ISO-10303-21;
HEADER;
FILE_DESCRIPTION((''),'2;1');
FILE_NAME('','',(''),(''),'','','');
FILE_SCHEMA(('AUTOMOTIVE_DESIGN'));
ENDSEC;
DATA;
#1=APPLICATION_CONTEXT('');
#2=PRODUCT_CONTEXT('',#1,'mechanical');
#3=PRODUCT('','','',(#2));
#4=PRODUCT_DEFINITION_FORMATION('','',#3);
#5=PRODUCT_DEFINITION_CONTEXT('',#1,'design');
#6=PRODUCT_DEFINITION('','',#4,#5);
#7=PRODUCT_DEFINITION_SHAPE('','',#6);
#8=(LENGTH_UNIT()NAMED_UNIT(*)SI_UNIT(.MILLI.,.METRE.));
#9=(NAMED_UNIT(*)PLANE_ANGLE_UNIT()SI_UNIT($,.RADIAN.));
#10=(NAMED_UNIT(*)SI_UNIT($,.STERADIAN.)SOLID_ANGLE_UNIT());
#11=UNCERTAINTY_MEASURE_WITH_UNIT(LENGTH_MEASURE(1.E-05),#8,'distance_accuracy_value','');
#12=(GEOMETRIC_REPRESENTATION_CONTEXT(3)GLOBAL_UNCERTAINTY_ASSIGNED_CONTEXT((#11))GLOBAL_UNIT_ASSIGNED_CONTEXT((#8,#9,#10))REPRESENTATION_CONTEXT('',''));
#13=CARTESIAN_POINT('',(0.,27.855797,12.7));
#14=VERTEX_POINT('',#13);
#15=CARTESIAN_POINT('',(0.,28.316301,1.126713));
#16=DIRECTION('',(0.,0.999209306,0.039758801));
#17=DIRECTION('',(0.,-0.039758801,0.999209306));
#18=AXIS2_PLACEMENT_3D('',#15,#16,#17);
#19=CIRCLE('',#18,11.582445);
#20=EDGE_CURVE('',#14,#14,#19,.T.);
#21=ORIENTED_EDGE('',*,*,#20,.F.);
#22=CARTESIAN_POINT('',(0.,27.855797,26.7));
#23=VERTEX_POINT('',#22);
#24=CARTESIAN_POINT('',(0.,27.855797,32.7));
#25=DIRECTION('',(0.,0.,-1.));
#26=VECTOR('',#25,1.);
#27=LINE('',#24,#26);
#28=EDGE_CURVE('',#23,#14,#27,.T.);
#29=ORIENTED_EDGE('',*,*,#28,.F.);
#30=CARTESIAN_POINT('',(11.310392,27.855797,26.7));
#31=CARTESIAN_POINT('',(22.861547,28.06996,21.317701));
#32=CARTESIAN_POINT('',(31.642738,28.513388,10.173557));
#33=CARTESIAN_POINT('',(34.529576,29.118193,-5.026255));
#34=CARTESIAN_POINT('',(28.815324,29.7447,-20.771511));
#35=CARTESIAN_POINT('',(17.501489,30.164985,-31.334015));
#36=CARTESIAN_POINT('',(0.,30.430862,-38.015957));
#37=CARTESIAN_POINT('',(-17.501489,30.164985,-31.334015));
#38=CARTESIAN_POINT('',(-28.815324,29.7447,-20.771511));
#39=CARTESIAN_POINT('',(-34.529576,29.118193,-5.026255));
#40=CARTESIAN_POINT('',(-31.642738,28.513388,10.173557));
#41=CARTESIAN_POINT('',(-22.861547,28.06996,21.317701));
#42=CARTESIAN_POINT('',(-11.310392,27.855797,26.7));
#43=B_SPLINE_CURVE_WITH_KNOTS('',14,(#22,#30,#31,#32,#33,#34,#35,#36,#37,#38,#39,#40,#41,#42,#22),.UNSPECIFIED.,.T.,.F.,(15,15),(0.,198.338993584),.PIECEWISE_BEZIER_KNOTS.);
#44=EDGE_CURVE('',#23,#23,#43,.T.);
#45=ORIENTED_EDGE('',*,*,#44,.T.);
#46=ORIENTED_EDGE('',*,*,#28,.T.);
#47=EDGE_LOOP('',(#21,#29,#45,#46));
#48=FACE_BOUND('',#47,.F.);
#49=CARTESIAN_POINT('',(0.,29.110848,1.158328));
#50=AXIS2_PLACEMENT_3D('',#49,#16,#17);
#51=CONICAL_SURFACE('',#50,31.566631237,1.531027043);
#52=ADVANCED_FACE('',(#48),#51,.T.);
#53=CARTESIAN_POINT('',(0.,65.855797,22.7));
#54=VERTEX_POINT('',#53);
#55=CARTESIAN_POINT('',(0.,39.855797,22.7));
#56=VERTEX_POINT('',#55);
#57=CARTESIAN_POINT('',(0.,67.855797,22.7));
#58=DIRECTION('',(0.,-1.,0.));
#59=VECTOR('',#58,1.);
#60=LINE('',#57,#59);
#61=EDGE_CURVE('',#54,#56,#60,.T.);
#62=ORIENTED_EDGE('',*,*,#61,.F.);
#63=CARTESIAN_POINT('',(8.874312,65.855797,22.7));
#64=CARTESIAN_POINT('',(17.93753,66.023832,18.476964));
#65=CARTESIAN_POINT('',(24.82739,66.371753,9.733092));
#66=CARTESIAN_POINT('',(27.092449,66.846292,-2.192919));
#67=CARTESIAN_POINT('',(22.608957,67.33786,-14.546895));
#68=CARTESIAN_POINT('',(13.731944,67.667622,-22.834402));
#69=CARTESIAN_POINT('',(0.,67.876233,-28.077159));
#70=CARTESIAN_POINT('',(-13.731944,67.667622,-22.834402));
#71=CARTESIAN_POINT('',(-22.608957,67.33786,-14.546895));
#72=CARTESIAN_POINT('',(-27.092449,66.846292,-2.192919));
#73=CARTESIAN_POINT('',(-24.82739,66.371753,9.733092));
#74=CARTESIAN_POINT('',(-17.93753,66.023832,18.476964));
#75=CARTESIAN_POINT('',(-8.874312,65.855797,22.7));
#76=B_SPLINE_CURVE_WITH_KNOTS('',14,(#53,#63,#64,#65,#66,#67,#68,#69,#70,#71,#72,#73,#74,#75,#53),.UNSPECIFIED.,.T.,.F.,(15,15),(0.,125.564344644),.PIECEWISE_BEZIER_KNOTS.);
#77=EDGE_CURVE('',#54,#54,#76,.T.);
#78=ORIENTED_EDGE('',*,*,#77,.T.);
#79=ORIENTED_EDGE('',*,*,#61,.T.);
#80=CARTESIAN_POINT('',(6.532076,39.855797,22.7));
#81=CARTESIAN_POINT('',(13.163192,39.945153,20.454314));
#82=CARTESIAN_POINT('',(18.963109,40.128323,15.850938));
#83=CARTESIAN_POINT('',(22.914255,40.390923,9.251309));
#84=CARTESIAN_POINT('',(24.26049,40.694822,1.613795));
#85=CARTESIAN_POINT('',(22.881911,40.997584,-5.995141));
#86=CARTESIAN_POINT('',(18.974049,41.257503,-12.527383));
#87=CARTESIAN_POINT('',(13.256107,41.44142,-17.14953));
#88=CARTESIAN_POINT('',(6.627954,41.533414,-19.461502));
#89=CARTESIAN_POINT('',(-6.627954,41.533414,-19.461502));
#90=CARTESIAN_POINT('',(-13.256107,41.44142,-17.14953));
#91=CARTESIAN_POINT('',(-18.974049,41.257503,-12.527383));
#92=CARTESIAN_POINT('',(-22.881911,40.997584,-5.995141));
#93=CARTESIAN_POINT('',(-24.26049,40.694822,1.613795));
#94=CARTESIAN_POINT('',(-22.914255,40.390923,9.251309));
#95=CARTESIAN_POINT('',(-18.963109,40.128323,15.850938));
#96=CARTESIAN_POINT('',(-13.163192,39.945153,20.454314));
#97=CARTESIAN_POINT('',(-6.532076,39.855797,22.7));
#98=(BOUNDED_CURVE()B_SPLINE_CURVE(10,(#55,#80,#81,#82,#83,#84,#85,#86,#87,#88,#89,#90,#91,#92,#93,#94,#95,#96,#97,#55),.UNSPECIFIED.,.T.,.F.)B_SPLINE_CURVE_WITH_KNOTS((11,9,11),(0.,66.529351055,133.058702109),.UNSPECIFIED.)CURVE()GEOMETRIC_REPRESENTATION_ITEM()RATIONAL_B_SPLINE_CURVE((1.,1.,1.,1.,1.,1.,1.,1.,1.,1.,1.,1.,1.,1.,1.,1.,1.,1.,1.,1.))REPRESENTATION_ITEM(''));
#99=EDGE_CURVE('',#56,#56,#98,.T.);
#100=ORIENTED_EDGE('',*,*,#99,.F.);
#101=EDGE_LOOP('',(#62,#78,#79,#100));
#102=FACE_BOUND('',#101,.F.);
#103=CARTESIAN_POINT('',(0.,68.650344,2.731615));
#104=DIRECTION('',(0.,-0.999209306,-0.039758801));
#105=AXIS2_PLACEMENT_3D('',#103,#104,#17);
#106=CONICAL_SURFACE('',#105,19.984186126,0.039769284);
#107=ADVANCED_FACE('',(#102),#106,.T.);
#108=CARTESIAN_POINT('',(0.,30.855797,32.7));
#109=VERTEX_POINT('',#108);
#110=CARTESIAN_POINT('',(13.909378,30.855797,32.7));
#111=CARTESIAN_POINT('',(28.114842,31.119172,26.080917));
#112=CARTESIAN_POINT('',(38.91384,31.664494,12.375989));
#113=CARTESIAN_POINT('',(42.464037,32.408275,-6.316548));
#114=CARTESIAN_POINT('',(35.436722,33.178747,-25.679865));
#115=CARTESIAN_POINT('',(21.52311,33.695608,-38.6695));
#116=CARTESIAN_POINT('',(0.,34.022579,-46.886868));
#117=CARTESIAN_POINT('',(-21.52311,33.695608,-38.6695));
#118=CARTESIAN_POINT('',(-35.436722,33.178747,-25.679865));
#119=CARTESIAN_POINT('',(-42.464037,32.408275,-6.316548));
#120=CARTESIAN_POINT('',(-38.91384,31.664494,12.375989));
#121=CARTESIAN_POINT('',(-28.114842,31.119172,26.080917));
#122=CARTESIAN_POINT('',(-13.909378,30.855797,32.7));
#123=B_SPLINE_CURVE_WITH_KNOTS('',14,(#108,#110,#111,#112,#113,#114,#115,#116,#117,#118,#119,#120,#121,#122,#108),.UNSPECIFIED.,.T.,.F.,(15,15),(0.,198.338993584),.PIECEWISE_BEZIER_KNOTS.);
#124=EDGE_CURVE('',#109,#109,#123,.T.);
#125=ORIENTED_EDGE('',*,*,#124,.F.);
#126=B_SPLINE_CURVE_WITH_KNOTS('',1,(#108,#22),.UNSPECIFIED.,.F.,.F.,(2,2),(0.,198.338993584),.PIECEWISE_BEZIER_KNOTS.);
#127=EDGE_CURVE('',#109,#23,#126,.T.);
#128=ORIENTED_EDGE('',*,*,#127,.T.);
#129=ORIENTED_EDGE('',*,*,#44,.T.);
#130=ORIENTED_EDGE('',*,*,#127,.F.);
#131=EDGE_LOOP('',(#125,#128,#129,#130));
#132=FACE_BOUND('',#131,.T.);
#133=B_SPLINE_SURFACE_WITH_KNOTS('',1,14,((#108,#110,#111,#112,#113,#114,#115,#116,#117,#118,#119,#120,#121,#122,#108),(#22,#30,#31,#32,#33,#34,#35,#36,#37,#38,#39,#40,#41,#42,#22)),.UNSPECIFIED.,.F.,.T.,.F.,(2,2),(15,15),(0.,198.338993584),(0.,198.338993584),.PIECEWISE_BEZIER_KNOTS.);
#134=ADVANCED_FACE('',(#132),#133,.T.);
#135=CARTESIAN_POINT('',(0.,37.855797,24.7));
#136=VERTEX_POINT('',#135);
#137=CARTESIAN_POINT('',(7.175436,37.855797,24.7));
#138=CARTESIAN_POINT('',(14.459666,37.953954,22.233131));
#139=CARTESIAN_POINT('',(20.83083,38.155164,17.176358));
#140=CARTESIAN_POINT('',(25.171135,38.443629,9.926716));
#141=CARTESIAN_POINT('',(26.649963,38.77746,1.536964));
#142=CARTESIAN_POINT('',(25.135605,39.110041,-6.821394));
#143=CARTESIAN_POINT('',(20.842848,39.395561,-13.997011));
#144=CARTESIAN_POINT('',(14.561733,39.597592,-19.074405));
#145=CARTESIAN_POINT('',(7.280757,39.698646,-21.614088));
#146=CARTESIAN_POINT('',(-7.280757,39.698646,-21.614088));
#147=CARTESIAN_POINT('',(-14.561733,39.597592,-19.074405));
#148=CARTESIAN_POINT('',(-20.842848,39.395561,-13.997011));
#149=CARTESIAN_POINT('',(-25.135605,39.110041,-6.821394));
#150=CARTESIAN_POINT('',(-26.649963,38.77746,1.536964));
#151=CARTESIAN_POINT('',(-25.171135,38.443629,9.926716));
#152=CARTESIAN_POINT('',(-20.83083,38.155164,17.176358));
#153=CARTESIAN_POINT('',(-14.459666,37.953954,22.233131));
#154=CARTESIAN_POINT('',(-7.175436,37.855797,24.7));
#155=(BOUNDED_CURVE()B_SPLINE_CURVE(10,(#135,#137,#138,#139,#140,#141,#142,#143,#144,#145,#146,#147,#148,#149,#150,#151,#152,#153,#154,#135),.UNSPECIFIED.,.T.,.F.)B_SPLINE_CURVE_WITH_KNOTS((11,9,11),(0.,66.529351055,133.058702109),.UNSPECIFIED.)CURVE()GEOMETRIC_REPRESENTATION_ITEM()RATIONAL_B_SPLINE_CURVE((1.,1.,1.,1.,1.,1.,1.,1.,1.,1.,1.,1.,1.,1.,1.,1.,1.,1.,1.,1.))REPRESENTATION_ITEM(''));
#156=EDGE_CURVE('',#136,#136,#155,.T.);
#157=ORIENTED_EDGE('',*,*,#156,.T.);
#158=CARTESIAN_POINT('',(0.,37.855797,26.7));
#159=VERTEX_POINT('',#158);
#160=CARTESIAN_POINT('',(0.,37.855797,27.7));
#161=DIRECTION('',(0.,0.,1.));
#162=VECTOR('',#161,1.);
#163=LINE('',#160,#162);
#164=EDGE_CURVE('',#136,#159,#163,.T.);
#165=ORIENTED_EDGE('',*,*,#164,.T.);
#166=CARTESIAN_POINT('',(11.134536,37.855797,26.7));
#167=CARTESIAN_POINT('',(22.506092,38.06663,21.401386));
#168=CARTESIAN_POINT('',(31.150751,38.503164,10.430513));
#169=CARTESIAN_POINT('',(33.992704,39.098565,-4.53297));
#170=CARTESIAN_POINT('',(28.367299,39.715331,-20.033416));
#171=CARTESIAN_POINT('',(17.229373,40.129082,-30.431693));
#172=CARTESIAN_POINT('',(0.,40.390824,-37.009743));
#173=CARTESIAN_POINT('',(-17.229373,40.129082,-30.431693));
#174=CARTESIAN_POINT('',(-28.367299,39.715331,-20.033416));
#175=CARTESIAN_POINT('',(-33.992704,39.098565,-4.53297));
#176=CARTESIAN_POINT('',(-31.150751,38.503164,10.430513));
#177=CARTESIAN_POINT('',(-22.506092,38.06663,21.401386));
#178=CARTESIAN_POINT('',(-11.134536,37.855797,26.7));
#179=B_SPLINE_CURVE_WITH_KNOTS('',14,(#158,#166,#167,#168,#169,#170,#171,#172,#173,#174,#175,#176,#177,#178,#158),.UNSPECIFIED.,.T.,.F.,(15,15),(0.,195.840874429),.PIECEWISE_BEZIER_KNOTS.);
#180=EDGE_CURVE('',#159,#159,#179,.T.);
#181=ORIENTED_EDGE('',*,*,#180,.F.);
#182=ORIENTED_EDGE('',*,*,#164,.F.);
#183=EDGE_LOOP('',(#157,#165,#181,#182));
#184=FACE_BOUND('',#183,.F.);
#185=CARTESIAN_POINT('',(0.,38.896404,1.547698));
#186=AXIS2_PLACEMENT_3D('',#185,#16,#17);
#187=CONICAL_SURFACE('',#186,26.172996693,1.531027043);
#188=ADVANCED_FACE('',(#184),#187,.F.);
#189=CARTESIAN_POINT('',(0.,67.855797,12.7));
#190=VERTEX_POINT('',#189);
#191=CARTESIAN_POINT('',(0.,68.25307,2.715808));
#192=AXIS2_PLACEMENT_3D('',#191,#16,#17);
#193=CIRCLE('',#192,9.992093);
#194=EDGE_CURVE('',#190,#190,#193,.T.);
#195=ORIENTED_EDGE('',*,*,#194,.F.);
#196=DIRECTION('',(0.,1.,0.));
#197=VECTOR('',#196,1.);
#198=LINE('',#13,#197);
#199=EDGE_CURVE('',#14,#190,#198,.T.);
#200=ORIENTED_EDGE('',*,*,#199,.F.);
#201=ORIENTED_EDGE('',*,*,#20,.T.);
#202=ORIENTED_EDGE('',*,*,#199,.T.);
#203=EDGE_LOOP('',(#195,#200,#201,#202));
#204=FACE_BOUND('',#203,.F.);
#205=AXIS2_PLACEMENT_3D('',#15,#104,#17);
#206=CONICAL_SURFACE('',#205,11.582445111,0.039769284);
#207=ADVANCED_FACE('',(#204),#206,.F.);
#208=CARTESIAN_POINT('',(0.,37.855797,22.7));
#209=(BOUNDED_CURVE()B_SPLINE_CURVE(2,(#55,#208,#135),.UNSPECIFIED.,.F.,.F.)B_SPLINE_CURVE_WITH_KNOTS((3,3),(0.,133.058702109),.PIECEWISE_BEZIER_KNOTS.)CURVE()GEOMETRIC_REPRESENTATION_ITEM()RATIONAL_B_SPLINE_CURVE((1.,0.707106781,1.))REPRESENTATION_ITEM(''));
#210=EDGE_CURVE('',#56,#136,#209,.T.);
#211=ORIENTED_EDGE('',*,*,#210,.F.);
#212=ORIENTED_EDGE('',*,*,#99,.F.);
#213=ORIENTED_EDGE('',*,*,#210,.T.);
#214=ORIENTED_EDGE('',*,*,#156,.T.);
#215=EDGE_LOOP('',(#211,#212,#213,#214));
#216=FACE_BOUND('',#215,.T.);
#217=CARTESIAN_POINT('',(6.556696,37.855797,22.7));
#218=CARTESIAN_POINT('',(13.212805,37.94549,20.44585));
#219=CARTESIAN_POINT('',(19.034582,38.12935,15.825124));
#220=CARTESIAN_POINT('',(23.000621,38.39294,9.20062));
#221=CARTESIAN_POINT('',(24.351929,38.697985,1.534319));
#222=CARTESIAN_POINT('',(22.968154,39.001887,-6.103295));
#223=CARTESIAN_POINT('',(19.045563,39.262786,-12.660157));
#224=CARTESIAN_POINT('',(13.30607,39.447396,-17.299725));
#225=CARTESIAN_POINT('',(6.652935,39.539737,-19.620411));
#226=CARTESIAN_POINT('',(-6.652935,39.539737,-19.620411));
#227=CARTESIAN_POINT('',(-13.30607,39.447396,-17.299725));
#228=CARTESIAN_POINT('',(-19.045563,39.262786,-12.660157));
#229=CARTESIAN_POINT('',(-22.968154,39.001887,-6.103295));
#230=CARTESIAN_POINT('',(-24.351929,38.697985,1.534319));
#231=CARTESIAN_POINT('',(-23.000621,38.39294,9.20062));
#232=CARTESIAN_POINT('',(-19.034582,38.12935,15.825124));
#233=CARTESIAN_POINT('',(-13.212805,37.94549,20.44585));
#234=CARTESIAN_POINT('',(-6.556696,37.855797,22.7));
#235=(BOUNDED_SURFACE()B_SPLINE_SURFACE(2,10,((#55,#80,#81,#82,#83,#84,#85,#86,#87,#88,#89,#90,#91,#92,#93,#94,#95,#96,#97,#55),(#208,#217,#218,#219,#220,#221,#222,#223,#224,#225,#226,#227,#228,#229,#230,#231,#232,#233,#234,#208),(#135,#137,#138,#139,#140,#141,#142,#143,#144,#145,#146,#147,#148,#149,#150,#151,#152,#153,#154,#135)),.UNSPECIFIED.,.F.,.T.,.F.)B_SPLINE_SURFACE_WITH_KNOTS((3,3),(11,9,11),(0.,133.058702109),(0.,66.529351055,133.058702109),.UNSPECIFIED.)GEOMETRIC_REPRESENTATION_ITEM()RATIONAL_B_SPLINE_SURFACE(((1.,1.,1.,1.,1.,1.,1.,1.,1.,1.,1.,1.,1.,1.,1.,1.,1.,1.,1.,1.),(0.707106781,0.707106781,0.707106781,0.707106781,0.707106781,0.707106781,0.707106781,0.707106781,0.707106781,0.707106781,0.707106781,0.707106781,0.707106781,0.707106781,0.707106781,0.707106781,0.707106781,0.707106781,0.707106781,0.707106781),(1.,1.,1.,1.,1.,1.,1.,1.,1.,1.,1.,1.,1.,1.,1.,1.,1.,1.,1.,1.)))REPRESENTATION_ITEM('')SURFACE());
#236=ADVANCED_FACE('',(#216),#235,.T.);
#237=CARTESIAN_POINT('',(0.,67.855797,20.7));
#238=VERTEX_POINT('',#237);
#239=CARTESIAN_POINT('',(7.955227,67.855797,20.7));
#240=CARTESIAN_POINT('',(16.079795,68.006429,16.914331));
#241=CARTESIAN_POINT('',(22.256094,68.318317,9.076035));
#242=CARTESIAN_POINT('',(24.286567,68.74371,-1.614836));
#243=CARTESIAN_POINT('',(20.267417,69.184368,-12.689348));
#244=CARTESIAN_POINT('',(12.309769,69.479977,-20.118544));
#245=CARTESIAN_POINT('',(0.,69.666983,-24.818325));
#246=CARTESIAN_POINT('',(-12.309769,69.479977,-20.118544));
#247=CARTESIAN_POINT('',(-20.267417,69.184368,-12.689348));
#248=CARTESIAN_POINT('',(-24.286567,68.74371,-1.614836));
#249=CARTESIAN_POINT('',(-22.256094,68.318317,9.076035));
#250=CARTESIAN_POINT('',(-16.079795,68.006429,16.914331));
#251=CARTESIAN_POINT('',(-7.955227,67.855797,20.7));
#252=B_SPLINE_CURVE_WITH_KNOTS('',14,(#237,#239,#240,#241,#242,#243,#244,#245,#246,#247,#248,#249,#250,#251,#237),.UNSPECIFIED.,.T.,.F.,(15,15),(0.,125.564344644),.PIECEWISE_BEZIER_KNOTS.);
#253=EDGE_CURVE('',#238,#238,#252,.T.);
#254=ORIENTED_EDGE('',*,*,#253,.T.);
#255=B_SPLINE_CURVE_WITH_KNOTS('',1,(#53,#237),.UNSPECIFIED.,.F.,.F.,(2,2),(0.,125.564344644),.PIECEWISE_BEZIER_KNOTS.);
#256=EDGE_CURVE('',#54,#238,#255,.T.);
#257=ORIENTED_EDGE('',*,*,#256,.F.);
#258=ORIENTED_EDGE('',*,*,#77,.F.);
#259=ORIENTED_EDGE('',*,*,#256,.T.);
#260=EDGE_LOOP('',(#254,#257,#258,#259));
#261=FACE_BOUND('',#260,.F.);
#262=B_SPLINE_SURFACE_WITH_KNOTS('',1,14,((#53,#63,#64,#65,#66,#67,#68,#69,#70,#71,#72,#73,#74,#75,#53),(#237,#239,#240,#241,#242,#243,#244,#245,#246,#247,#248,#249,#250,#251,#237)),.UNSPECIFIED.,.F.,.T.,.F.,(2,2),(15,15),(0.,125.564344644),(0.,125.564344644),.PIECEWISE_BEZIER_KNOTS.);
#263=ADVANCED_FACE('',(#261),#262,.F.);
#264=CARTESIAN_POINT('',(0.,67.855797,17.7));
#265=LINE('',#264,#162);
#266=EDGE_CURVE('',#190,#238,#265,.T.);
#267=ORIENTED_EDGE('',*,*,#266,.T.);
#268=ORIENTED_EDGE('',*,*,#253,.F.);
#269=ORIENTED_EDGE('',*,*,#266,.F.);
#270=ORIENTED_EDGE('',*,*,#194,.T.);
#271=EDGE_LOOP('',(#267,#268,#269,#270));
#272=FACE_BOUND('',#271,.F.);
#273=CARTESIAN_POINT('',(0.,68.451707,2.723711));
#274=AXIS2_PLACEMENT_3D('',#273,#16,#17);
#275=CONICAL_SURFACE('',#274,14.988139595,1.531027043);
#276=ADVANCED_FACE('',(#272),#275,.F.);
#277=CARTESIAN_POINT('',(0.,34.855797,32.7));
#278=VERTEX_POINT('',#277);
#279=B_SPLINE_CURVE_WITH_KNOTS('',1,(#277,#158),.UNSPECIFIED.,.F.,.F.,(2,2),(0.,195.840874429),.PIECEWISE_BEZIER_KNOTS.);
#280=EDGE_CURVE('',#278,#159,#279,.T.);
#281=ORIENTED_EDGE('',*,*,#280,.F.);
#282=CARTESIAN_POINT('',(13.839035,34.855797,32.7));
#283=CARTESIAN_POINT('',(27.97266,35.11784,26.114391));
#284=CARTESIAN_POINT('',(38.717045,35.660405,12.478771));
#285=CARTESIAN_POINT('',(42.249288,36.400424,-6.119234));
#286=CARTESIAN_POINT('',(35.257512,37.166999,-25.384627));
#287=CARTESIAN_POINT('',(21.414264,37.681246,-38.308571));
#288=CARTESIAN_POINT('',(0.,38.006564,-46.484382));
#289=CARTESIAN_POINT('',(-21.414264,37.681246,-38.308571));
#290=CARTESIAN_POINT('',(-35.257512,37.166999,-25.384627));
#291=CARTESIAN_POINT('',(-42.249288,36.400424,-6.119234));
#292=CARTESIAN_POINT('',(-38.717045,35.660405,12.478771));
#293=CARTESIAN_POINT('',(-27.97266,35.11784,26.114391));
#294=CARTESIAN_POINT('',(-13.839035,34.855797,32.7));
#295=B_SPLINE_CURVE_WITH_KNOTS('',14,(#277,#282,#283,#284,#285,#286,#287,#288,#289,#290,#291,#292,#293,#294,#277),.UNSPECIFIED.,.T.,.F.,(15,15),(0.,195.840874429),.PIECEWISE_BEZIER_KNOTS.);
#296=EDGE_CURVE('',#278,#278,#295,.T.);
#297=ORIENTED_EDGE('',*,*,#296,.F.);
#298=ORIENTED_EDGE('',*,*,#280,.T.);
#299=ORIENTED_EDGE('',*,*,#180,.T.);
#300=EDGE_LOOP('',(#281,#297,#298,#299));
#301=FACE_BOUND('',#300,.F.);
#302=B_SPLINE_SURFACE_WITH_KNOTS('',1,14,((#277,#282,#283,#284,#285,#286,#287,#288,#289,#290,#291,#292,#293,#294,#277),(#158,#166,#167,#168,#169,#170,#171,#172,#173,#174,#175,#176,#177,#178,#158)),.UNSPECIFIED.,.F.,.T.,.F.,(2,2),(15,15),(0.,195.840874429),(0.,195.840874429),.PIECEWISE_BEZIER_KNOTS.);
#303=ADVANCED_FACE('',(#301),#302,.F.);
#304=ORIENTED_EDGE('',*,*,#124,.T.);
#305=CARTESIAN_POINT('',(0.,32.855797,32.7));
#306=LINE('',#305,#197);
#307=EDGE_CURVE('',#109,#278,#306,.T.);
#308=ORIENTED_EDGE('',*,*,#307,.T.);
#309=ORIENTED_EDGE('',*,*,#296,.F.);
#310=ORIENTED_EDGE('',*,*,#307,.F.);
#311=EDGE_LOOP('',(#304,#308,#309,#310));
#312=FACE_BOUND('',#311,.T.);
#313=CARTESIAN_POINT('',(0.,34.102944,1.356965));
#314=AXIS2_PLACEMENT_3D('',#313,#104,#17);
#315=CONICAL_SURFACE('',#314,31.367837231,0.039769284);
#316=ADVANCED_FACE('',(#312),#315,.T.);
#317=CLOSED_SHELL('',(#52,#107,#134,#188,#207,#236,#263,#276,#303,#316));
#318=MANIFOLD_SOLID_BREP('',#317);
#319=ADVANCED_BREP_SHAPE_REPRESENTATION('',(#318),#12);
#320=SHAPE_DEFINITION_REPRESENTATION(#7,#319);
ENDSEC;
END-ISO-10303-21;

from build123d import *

# Parameters (mm, degrees)
F0_W     = 30
F0_H     = 10
F0_W_2   = 10
F2_R     = 2
F3_SIZE  = 2
F4_SIZE2 = 6
F4_SIZE  = 3


with BuildPart() as f1:
    # F0 (on Right) → F1 (revolve)
    with BuildSketch(Plane.YZ):
        Polygon((37.8557965517, 22.7), (27.8557965517, 22.7), (27.8557965517, 12.7), (31.5659119412, 12.7), (37.8557965517, 12.7), align=None)
        with Locations((52.8557965517, 17.7)):
            Rectangle(F0_W, F0_H)
        with Locations((32.8557965517, 27.7)):
            Rectangle(F0_W_2, F0_H)
    revolve(axis=Axis((0, 33.9278982759, 1.35), (0, 0.9992093063, 0.0397588012)))

    # F2
    f2_edges = [f1.edges().sort_by_distance(p)[0] for p in [
        (0, 39.539737, -19.620411),
    ]]
    fillet(f2_edges, radius=F2_R)

    # F3
    f3_edges = [f1.edges().sort_by_distance(p)[0] for p in [
        (0, 69.444891, -17.23677),
    ]]
    chamfer(f3_edges, length=F3_SIZE)

    # F4
    f4_edges = [f1.edges().sort_by_distance(p)[0] for p in [
        (0, 40.334284, -29.588796),
        (0, 30.365899, -30.383343),
    ]]
    f4_side = f1.faces().sort_by_distance((0, 35.350092, -29.98607))[0]
    chamfer(f4_edges, length=F4_SIZE, length2=F4_SIZE2, reference=f4_side)


solid = f1.part
